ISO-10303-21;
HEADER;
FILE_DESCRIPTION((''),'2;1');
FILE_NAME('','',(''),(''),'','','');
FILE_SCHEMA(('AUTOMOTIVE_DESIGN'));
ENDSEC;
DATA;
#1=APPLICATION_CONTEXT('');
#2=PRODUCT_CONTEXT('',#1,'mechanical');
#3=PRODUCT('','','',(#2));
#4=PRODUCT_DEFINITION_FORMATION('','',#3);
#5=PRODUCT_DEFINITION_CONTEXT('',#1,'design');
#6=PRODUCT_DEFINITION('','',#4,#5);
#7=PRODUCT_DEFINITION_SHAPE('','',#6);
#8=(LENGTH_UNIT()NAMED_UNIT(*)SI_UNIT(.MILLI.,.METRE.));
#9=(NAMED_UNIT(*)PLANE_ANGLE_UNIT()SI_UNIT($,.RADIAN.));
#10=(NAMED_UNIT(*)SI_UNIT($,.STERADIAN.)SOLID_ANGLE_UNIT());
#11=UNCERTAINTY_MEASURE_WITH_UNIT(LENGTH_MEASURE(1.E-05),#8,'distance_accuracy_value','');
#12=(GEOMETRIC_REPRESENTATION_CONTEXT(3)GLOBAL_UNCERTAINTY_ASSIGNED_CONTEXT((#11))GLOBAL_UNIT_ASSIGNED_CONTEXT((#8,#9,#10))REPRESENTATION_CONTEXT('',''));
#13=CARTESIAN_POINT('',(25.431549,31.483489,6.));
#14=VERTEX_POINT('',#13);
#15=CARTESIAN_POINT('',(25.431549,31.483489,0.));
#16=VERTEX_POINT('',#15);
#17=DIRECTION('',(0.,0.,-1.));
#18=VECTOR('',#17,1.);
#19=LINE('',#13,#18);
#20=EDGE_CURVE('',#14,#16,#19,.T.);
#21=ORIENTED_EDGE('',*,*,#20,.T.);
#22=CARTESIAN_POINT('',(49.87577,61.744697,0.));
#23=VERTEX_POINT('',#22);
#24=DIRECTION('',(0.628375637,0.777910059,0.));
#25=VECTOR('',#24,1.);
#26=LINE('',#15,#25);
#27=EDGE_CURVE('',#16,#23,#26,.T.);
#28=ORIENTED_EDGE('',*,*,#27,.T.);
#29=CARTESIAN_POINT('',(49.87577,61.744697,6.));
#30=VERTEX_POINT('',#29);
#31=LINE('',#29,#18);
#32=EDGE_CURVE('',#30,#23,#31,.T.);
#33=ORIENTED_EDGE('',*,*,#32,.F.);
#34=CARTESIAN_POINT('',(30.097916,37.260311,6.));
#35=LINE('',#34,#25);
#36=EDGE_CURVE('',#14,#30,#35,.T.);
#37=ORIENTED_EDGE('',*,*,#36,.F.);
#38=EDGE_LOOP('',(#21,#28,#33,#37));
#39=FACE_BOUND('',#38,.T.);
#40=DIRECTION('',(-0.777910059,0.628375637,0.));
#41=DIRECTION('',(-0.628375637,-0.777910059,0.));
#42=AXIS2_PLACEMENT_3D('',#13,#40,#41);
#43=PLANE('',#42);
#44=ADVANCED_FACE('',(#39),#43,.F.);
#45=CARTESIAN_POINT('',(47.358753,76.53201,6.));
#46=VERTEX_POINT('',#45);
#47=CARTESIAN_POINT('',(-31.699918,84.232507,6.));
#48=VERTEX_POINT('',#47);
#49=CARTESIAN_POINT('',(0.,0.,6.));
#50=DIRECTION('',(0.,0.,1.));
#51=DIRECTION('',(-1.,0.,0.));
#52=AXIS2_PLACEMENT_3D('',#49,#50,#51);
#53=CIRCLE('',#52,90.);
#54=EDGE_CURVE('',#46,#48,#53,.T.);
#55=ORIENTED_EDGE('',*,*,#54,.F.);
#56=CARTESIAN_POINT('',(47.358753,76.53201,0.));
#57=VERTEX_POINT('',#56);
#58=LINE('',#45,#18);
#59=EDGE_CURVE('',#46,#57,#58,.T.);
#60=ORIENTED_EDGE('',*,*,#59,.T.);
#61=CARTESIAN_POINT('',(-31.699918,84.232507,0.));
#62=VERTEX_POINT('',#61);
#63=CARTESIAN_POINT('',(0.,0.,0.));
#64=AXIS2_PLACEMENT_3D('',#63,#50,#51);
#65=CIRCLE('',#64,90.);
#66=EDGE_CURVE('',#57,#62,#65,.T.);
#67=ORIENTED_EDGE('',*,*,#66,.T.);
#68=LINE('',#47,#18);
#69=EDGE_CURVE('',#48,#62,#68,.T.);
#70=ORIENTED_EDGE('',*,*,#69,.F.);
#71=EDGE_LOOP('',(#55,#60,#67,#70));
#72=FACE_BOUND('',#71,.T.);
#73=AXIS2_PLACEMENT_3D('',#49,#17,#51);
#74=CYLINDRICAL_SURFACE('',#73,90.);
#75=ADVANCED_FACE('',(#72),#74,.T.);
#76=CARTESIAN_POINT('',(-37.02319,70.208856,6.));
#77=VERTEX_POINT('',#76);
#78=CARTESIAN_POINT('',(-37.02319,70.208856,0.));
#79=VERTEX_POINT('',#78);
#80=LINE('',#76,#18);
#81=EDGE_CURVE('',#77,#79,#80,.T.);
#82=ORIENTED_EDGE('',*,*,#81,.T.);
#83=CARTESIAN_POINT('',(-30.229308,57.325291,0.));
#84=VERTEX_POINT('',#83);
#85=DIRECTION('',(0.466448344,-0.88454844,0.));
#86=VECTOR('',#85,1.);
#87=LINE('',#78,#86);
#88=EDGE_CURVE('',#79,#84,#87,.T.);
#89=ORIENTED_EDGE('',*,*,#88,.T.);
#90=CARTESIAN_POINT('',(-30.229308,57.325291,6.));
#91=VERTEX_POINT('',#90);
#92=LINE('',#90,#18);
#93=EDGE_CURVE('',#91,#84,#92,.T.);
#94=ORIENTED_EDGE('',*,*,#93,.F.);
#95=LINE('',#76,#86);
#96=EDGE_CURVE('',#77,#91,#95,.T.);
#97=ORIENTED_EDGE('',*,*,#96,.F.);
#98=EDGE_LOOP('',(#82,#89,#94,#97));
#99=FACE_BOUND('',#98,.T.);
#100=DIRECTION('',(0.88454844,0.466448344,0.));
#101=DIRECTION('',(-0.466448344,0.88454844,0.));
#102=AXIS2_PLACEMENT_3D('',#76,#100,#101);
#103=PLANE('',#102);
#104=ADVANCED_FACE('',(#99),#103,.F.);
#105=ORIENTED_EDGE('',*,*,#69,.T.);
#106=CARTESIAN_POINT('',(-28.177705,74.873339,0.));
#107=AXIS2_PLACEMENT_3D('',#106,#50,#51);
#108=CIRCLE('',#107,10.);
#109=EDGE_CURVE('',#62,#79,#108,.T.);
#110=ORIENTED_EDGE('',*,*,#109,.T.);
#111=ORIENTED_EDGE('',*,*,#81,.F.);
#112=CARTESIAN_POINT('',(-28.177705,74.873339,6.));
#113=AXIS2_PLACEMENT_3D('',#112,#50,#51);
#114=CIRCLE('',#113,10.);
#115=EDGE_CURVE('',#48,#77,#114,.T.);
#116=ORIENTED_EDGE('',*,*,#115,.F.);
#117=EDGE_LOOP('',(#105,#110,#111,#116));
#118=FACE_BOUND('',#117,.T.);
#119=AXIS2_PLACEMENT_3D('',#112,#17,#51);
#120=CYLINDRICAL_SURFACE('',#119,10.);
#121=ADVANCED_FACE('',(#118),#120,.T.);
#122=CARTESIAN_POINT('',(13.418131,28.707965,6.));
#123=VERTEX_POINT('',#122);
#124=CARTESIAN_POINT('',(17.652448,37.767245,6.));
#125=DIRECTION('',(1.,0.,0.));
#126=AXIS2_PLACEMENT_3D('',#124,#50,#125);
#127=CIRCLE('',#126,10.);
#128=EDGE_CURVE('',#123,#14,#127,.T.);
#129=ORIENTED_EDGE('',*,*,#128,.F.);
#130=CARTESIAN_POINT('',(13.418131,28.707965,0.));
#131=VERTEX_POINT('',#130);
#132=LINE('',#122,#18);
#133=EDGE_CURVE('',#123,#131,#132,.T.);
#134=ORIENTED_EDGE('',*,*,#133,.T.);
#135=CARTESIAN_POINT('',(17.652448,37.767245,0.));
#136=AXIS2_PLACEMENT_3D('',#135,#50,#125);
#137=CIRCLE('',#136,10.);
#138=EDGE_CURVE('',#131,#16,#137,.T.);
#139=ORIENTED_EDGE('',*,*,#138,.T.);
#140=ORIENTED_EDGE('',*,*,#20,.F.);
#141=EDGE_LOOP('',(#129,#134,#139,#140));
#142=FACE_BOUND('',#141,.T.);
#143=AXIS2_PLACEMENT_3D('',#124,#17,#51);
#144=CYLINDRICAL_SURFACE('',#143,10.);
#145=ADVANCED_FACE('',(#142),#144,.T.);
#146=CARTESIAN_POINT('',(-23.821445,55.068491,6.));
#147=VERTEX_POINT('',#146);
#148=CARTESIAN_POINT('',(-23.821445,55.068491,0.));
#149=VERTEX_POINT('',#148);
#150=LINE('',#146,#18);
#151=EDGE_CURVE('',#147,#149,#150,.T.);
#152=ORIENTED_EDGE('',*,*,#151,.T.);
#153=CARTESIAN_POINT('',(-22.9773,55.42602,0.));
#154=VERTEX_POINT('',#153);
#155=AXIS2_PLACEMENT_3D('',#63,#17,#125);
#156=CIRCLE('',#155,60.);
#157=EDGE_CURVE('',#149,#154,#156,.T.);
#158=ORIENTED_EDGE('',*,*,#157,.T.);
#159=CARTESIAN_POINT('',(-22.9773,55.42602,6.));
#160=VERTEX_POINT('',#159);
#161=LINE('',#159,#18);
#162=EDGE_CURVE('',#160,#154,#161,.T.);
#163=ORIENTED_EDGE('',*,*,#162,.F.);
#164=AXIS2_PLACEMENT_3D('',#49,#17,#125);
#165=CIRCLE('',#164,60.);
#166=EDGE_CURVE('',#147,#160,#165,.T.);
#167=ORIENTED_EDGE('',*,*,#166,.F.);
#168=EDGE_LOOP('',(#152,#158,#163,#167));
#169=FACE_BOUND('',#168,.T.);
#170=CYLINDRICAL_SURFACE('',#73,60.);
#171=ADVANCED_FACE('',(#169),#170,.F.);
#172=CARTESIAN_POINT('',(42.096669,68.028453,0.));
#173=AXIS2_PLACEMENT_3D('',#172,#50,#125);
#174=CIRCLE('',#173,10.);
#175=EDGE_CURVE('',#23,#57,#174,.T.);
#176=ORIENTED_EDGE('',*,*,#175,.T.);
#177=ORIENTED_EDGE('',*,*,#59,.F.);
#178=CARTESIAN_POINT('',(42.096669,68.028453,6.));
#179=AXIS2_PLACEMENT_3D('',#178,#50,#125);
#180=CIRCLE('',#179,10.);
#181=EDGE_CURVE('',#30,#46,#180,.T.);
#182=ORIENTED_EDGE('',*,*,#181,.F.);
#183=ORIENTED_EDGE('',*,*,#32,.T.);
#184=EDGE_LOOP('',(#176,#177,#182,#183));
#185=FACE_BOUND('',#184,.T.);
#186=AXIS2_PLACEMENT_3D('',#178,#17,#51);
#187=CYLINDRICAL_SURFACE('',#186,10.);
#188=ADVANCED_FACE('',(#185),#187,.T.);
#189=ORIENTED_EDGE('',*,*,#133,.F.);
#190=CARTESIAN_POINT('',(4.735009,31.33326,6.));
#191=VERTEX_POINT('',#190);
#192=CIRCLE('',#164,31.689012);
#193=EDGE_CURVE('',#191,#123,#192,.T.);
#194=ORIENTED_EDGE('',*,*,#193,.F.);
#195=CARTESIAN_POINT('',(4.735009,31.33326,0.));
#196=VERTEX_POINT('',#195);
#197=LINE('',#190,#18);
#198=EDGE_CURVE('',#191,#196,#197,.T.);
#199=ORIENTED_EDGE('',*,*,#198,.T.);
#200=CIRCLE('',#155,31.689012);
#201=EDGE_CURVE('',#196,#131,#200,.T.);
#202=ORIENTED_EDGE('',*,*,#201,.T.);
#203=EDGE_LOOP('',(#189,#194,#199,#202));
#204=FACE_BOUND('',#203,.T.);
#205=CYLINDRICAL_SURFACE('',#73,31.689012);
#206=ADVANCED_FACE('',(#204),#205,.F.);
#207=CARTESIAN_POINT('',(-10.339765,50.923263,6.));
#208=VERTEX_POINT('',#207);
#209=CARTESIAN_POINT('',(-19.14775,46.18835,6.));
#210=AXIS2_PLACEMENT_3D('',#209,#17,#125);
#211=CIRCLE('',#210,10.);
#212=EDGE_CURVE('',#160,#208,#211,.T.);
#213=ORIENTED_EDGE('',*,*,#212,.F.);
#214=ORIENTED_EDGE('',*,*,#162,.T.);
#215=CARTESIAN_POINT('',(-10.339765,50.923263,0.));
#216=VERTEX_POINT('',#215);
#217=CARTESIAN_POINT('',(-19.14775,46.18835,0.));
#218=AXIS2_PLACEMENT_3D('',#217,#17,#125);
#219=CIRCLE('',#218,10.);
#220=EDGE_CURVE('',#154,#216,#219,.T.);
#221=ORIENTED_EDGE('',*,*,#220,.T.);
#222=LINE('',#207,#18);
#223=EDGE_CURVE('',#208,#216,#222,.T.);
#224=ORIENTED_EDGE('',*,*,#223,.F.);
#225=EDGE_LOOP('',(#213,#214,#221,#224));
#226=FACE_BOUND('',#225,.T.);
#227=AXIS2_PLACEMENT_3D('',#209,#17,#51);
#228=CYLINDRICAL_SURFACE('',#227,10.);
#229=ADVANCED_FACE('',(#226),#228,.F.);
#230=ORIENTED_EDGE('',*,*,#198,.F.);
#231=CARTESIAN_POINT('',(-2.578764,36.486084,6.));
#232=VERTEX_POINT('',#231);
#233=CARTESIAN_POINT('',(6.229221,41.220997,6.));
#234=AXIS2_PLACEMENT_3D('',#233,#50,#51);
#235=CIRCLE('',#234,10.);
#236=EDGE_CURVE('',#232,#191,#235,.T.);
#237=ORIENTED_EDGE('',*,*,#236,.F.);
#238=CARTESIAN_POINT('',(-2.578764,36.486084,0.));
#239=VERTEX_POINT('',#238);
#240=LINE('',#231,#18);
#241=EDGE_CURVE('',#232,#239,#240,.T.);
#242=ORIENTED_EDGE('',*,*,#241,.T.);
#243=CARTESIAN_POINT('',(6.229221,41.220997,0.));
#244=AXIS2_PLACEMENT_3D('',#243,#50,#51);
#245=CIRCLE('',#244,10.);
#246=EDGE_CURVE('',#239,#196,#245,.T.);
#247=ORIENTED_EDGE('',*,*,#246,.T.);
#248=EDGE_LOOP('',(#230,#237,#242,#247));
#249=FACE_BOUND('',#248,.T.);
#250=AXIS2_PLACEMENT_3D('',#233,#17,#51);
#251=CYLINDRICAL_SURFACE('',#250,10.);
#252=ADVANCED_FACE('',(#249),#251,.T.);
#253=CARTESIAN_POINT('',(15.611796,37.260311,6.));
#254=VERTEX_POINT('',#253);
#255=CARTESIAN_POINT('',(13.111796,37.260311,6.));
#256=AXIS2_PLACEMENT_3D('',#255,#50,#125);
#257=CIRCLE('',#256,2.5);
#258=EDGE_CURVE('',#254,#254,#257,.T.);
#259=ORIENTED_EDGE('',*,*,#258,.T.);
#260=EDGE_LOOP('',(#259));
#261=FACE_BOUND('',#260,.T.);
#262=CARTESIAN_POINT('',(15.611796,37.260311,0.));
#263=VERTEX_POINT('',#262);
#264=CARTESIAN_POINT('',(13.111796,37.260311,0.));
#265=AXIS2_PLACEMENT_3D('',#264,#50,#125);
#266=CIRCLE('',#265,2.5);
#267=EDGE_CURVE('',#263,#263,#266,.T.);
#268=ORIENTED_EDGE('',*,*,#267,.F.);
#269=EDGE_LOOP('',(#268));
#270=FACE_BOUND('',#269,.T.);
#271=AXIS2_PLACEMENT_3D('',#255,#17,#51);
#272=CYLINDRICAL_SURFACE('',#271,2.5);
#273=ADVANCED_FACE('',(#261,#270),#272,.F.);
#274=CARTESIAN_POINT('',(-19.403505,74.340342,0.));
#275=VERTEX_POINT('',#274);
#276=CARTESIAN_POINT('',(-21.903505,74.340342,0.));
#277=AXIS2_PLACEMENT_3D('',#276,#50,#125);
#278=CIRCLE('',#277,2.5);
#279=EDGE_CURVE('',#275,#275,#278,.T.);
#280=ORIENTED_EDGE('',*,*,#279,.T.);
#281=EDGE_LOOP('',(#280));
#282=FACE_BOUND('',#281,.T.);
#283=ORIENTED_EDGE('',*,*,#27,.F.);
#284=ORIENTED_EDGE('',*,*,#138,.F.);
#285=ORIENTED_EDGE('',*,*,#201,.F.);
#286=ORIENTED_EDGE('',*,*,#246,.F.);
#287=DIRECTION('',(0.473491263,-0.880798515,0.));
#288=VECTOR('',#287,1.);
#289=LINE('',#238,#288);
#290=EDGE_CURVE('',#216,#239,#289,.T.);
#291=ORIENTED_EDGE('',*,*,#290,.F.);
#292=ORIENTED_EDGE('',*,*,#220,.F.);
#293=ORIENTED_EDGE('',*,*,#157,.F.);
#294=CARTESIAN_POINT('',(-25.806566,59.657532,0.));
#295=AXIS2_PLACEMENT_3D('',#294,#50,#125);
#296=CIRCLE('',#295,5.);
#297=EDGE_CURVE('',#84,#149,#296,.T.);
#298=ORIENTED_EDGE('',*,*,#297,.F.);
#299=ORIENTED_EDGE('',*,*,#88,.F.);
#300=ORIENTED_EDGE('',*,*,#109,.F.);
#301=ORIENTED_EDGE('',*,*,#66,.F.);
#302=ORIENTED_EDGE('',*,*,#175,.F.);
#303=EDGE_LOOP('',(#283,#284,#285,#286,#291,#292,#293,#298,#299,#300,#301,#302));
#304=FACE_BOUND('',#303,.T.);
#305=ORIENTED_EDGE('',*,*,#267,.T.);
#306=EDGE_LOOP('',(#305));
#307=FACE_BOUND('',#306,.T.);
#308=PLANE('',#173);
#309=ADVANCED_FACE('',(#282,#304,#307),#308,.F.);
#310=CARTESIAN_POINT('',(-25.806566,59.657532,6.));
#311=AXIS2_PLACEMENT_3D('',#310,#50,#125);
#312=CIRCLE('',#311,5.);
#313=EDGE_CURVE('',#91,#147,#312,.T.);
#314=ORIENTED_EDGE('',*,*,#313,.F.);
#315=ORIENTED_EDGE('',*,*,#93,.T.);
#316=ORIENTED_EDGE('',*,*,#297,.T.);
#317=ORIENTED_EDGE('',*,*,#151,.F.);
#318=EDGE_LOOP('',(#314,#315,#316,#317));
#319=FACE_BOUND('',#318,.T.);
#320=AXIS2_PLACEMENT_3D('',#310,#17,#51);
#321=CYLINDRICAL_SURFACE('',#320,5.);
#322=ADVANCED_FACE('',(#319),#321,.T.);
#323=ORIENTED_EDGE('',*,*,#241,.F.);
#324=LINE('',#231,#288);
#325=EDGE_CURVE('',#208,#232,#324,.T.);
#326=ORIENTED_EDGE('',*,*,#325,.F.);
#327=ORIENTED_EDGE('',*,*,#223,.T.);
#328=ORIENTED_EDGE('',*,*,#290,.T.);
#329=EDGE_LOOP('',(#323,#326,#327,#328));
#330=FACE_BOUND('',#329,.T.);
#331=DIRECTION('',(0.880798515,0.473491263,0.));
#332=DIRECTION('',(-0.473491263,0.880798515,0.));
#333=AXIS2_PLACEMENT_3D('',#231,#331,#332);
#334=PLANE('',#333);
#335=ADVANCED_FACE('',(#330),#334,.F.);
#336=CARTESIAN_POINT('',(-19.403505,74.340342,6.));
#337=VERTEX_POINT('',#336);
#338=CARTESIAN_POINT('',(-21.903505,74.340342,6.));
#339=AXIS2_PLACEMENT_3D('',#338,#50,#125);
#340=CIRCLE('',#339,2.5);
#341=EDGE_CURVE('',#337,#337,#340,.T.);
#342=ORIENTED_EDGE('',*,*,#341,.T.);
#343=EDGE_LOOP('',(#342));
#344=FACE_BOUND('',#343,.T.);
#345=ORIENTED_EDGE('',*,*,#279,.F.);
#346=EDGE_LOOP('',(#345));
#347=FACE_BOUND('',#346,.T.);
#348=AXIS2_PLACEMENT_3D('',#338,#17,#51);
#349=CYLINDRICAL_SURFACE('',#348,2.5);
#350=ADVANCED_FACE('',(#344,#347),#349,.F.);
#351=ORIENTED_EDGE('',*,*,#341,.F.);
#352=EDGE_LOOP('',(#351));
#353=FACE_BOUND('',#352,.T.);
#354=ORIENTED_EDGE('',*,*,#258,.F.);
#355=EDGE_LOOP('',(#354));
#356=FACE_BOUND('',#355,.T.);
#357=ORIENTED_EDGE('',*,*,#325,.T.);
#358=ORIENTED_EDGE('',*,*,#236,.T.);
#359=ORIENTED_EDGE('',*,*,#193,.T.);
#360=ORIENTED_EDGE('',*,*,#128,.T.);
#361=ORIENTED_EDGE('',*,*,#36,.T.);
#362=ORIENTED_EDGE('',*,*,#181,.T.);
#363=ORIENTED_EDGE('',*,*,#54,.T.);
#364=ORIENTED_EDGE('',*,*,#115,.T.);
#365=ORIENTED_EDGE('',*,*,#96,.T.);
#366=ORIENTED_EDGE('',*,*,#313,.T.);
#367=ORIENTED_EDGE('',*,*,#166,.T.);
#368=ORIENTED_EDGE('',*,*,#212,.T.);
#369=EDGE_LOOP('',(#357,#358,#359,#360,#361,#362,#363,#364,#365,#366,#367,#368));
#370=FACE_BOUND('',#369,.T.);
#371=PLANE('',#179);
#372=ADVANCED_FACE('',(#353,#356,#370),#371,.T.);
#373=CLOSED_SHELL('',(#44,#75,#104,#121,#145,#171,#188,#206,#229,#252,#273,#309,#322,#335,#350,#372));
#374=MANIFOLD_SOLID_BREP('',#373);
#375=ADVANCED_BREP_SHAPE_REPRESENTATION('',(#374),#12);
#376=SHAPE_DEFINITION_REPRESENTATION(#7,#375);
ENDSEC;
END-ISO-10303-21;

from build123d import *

# Parameters (mm, degrees)
ESQUISSE2_R        = 2.5
BOSS_EXTRU_1_DEPTH = 6


with BuildPart() as part:
    # Esquisse2 → Boss.-Extru.1 (new body)
    with BuildSketch(Plane.XY):
        with BuildLine():
            Line((-37.02318957, 70.208855809), (-30.229307699, 57.325290719))
            ThreePointArc((-30.229307699, 57.325290719), (-27.467524765, 54.941473247), (-23.821445078, 55.068491485))
            ThreePointArc((-23.821445078, 55.068491485), (-23.400055317, 55.248867963), (-22.977299871, 55.426019978))
            ThreePointArc((-22.977299871, 55.426019978), (-15.791425987, 55.608280441), (-10.339764744, 50.923262614))
            Line((-10.339764744, 50.923262614), (-2.578763956, 36.48608394))
            ThreePointArc((-2.578763956, 36.48608394), (0.469732203, 33.046139596), (4.735009448, 31.333260165))
            ThreePointArc((4.735009448, 31.333260165), (9.170996361, 30.332924896), (13.418131397, 28.707965042))
            ThreePointArc((13.418131397, 28.707965042), (19.90350488, 28.02390195), (25.431548669, 31.483489123))
            Line((25.431548669, 31.483489123), (30.097916289, 37.260311293))
            Line((30.097916289, 37.260311293), (37.702538192, 46.674603521))
            Line((37.702538192, 46.674603521), (49.875769926, 61.74469673))
            ThreePointArc((49.875769926, 61.74469673), (51.954878008, 69.706464375), (47.358753007, 76.532009732))
            ThreePointArc((47.358753007, 76.532009732), (8.724917717, 89.576089504), (-31.699918321, 84.232506661))
            ThreePointArc((-31.699918321, 84.232506661), (-37.526805742, 78.422186754), (-37.02318957, 70.208855809))
        make_face()
        with Locations((13.111796304, 37.260311293)):
            Circle(ESQUISSE2_R, mode=Mode.SUBTRACT)
        with Locations((-21.903504738, 74.340342212)):
            Circle(ESQUISSE2_R, mode=Mode.SUBTRACT)
    extrude(amount=BOSS_EXTRU_1_DEPTH)


solid = part.part
